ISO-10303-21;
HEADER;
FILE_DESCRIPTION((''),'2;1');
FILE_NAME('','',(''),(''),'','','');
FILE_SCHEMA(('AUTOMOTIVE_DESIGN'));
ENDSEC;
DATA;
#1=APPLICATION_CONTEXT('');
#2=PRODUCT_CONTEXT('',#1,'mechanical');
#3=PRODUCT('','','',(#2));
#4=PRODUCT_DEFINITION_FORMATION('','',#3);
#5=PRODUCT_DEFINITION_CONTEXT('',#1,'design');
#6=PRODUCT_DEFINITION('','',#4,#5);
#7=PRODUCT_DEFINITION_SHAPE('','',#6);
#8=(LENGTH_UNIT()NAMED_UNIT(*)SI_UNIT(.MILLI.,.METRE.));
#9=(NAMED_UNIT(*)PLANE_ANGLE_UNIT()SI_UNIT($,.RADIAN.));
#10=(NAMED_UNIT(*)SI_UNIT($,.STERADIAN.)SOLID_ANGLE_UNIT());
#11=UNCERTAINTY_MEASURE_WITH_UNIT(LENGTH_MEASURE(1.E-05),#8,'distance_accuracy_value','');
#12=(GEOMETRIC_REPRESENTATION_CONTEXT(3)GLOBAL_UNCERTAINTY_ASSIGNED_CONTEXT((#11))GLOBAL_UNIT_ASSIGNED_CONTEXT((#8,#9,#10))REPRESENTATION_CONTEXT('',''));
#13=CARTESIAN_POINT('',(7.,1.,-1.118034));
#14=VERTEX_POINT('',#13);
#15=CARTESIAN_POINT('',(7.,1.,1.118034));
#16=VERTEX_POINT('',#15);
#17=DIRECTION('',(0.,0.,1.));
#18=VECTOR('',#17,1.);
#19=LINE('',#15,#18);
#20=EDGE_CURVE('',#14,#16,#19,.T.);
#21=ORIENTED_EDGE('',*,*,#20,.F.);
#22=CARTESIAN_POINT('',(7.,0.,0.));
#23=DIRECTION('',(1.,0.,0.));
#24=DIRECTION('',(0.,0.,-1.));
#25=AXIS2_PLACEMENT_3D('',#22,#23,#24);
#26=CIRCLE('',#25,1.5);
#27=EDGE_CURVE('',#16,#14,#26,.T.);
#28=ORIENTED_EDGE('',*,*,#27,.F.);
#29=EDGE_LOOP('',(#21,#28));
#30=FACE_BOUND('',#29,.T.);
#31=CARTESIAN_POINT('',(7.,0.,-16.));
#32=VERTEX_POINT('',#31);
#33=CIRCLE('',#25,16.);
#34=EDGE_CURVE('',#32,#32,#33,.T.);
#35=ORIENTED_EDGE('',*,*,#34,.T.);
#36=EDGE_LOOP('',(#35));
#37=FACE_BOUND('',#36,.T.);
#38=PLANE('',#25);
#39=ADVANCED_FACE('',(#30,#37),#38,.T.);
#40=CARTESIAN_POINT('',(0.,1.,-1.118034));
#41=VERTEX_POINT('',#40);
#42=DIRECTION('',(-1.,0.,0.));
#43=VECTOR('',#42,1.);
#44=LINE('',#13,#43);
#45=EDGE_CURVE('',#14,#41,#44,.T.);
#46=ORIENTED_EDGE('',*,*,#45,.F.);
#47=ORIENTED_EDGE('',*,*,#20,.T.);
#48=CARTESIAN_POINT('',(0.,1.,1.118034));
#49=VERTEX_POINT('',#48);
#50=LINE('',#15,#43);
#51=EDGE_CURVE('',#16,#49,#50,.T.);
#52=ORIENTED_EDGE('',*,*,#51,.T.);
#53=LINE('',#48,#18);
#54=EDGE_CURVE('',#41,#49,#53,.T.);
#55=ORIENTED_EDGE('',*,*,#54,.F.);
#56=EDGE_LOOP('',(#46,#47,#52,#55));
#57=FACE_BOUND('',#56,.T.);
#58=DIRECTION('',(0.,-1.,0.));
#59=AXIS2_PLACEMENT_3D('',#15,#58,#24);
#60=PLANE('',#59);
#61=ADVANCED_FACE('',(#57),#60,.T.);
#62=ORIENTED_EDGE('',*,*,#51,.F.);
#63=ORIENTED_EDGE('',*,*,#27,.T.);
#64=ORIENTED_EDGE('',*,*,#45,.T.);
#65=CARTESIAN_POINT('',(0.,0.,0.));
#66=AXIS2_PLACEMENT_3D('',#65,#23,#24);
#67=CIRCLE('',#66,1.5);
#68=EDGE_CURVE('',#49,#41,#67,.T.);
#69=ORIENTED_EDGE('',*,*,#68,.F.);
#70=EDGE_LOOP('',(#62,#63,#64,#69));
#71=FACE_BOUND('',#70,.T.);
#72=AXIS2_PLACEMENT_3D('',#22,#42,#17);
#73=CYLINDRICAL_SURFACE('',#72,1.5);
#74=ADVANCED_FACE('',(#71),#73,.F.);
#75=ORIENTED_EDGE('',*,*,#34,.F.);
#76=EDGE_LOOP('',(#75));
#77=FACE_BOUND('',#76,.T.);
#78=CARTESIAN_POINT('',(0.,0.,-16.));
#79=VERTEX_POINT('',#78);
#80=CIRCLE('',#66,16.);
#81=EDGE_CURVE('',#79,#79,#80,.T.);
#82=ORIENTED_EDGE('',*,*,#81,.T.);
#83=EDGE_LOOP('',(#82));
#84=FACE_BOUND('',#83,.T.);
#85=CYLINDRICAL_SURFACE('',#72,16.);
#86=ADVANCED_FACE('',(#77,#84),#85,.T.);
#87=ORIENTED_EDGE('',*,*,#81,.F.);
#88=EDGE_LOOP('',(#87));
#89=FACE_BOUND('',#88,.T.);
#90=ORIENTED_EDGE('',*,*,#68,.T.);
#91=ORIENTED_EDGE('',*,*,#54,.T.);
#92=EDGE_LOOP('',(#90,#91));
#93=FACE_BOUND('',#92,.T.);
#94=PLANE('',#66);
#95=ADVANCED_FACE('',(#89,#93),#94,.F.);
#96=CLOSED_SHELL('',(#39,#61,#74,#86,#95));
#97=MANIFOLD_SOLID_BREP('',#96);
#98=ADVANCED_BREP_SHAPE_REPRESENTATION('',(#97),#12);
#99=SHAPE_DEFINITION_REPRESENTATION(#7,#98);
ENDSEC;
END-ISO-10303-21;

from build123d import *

# Parameters (mm, degrees)
ESQUISSE1_R        = 16
BOSS_EXTRU_1_DEPTH = 7


with BuildPart() as part:
    # Esquisse1 → Boss.-Extru.1 (new body)
    with BuildSketch(Plane(origin=(0, 0, 0), x_dir=(0, 0, -1), z_dir=(1, 0, 0))):
        Circle(ESQUISSE1_R)
        with BuildLine():
            Line((-1.118033989, 1), (1.118033989, 1))
            ThreePointArc((1.118033989, 1), (0, -1.5), (-1.118033989, 1))
        make_face(mode=Mode.SUBTRACT)
    extrude(amount=BOSS_EXTRU_1_DEPTH)


solid = part.part
